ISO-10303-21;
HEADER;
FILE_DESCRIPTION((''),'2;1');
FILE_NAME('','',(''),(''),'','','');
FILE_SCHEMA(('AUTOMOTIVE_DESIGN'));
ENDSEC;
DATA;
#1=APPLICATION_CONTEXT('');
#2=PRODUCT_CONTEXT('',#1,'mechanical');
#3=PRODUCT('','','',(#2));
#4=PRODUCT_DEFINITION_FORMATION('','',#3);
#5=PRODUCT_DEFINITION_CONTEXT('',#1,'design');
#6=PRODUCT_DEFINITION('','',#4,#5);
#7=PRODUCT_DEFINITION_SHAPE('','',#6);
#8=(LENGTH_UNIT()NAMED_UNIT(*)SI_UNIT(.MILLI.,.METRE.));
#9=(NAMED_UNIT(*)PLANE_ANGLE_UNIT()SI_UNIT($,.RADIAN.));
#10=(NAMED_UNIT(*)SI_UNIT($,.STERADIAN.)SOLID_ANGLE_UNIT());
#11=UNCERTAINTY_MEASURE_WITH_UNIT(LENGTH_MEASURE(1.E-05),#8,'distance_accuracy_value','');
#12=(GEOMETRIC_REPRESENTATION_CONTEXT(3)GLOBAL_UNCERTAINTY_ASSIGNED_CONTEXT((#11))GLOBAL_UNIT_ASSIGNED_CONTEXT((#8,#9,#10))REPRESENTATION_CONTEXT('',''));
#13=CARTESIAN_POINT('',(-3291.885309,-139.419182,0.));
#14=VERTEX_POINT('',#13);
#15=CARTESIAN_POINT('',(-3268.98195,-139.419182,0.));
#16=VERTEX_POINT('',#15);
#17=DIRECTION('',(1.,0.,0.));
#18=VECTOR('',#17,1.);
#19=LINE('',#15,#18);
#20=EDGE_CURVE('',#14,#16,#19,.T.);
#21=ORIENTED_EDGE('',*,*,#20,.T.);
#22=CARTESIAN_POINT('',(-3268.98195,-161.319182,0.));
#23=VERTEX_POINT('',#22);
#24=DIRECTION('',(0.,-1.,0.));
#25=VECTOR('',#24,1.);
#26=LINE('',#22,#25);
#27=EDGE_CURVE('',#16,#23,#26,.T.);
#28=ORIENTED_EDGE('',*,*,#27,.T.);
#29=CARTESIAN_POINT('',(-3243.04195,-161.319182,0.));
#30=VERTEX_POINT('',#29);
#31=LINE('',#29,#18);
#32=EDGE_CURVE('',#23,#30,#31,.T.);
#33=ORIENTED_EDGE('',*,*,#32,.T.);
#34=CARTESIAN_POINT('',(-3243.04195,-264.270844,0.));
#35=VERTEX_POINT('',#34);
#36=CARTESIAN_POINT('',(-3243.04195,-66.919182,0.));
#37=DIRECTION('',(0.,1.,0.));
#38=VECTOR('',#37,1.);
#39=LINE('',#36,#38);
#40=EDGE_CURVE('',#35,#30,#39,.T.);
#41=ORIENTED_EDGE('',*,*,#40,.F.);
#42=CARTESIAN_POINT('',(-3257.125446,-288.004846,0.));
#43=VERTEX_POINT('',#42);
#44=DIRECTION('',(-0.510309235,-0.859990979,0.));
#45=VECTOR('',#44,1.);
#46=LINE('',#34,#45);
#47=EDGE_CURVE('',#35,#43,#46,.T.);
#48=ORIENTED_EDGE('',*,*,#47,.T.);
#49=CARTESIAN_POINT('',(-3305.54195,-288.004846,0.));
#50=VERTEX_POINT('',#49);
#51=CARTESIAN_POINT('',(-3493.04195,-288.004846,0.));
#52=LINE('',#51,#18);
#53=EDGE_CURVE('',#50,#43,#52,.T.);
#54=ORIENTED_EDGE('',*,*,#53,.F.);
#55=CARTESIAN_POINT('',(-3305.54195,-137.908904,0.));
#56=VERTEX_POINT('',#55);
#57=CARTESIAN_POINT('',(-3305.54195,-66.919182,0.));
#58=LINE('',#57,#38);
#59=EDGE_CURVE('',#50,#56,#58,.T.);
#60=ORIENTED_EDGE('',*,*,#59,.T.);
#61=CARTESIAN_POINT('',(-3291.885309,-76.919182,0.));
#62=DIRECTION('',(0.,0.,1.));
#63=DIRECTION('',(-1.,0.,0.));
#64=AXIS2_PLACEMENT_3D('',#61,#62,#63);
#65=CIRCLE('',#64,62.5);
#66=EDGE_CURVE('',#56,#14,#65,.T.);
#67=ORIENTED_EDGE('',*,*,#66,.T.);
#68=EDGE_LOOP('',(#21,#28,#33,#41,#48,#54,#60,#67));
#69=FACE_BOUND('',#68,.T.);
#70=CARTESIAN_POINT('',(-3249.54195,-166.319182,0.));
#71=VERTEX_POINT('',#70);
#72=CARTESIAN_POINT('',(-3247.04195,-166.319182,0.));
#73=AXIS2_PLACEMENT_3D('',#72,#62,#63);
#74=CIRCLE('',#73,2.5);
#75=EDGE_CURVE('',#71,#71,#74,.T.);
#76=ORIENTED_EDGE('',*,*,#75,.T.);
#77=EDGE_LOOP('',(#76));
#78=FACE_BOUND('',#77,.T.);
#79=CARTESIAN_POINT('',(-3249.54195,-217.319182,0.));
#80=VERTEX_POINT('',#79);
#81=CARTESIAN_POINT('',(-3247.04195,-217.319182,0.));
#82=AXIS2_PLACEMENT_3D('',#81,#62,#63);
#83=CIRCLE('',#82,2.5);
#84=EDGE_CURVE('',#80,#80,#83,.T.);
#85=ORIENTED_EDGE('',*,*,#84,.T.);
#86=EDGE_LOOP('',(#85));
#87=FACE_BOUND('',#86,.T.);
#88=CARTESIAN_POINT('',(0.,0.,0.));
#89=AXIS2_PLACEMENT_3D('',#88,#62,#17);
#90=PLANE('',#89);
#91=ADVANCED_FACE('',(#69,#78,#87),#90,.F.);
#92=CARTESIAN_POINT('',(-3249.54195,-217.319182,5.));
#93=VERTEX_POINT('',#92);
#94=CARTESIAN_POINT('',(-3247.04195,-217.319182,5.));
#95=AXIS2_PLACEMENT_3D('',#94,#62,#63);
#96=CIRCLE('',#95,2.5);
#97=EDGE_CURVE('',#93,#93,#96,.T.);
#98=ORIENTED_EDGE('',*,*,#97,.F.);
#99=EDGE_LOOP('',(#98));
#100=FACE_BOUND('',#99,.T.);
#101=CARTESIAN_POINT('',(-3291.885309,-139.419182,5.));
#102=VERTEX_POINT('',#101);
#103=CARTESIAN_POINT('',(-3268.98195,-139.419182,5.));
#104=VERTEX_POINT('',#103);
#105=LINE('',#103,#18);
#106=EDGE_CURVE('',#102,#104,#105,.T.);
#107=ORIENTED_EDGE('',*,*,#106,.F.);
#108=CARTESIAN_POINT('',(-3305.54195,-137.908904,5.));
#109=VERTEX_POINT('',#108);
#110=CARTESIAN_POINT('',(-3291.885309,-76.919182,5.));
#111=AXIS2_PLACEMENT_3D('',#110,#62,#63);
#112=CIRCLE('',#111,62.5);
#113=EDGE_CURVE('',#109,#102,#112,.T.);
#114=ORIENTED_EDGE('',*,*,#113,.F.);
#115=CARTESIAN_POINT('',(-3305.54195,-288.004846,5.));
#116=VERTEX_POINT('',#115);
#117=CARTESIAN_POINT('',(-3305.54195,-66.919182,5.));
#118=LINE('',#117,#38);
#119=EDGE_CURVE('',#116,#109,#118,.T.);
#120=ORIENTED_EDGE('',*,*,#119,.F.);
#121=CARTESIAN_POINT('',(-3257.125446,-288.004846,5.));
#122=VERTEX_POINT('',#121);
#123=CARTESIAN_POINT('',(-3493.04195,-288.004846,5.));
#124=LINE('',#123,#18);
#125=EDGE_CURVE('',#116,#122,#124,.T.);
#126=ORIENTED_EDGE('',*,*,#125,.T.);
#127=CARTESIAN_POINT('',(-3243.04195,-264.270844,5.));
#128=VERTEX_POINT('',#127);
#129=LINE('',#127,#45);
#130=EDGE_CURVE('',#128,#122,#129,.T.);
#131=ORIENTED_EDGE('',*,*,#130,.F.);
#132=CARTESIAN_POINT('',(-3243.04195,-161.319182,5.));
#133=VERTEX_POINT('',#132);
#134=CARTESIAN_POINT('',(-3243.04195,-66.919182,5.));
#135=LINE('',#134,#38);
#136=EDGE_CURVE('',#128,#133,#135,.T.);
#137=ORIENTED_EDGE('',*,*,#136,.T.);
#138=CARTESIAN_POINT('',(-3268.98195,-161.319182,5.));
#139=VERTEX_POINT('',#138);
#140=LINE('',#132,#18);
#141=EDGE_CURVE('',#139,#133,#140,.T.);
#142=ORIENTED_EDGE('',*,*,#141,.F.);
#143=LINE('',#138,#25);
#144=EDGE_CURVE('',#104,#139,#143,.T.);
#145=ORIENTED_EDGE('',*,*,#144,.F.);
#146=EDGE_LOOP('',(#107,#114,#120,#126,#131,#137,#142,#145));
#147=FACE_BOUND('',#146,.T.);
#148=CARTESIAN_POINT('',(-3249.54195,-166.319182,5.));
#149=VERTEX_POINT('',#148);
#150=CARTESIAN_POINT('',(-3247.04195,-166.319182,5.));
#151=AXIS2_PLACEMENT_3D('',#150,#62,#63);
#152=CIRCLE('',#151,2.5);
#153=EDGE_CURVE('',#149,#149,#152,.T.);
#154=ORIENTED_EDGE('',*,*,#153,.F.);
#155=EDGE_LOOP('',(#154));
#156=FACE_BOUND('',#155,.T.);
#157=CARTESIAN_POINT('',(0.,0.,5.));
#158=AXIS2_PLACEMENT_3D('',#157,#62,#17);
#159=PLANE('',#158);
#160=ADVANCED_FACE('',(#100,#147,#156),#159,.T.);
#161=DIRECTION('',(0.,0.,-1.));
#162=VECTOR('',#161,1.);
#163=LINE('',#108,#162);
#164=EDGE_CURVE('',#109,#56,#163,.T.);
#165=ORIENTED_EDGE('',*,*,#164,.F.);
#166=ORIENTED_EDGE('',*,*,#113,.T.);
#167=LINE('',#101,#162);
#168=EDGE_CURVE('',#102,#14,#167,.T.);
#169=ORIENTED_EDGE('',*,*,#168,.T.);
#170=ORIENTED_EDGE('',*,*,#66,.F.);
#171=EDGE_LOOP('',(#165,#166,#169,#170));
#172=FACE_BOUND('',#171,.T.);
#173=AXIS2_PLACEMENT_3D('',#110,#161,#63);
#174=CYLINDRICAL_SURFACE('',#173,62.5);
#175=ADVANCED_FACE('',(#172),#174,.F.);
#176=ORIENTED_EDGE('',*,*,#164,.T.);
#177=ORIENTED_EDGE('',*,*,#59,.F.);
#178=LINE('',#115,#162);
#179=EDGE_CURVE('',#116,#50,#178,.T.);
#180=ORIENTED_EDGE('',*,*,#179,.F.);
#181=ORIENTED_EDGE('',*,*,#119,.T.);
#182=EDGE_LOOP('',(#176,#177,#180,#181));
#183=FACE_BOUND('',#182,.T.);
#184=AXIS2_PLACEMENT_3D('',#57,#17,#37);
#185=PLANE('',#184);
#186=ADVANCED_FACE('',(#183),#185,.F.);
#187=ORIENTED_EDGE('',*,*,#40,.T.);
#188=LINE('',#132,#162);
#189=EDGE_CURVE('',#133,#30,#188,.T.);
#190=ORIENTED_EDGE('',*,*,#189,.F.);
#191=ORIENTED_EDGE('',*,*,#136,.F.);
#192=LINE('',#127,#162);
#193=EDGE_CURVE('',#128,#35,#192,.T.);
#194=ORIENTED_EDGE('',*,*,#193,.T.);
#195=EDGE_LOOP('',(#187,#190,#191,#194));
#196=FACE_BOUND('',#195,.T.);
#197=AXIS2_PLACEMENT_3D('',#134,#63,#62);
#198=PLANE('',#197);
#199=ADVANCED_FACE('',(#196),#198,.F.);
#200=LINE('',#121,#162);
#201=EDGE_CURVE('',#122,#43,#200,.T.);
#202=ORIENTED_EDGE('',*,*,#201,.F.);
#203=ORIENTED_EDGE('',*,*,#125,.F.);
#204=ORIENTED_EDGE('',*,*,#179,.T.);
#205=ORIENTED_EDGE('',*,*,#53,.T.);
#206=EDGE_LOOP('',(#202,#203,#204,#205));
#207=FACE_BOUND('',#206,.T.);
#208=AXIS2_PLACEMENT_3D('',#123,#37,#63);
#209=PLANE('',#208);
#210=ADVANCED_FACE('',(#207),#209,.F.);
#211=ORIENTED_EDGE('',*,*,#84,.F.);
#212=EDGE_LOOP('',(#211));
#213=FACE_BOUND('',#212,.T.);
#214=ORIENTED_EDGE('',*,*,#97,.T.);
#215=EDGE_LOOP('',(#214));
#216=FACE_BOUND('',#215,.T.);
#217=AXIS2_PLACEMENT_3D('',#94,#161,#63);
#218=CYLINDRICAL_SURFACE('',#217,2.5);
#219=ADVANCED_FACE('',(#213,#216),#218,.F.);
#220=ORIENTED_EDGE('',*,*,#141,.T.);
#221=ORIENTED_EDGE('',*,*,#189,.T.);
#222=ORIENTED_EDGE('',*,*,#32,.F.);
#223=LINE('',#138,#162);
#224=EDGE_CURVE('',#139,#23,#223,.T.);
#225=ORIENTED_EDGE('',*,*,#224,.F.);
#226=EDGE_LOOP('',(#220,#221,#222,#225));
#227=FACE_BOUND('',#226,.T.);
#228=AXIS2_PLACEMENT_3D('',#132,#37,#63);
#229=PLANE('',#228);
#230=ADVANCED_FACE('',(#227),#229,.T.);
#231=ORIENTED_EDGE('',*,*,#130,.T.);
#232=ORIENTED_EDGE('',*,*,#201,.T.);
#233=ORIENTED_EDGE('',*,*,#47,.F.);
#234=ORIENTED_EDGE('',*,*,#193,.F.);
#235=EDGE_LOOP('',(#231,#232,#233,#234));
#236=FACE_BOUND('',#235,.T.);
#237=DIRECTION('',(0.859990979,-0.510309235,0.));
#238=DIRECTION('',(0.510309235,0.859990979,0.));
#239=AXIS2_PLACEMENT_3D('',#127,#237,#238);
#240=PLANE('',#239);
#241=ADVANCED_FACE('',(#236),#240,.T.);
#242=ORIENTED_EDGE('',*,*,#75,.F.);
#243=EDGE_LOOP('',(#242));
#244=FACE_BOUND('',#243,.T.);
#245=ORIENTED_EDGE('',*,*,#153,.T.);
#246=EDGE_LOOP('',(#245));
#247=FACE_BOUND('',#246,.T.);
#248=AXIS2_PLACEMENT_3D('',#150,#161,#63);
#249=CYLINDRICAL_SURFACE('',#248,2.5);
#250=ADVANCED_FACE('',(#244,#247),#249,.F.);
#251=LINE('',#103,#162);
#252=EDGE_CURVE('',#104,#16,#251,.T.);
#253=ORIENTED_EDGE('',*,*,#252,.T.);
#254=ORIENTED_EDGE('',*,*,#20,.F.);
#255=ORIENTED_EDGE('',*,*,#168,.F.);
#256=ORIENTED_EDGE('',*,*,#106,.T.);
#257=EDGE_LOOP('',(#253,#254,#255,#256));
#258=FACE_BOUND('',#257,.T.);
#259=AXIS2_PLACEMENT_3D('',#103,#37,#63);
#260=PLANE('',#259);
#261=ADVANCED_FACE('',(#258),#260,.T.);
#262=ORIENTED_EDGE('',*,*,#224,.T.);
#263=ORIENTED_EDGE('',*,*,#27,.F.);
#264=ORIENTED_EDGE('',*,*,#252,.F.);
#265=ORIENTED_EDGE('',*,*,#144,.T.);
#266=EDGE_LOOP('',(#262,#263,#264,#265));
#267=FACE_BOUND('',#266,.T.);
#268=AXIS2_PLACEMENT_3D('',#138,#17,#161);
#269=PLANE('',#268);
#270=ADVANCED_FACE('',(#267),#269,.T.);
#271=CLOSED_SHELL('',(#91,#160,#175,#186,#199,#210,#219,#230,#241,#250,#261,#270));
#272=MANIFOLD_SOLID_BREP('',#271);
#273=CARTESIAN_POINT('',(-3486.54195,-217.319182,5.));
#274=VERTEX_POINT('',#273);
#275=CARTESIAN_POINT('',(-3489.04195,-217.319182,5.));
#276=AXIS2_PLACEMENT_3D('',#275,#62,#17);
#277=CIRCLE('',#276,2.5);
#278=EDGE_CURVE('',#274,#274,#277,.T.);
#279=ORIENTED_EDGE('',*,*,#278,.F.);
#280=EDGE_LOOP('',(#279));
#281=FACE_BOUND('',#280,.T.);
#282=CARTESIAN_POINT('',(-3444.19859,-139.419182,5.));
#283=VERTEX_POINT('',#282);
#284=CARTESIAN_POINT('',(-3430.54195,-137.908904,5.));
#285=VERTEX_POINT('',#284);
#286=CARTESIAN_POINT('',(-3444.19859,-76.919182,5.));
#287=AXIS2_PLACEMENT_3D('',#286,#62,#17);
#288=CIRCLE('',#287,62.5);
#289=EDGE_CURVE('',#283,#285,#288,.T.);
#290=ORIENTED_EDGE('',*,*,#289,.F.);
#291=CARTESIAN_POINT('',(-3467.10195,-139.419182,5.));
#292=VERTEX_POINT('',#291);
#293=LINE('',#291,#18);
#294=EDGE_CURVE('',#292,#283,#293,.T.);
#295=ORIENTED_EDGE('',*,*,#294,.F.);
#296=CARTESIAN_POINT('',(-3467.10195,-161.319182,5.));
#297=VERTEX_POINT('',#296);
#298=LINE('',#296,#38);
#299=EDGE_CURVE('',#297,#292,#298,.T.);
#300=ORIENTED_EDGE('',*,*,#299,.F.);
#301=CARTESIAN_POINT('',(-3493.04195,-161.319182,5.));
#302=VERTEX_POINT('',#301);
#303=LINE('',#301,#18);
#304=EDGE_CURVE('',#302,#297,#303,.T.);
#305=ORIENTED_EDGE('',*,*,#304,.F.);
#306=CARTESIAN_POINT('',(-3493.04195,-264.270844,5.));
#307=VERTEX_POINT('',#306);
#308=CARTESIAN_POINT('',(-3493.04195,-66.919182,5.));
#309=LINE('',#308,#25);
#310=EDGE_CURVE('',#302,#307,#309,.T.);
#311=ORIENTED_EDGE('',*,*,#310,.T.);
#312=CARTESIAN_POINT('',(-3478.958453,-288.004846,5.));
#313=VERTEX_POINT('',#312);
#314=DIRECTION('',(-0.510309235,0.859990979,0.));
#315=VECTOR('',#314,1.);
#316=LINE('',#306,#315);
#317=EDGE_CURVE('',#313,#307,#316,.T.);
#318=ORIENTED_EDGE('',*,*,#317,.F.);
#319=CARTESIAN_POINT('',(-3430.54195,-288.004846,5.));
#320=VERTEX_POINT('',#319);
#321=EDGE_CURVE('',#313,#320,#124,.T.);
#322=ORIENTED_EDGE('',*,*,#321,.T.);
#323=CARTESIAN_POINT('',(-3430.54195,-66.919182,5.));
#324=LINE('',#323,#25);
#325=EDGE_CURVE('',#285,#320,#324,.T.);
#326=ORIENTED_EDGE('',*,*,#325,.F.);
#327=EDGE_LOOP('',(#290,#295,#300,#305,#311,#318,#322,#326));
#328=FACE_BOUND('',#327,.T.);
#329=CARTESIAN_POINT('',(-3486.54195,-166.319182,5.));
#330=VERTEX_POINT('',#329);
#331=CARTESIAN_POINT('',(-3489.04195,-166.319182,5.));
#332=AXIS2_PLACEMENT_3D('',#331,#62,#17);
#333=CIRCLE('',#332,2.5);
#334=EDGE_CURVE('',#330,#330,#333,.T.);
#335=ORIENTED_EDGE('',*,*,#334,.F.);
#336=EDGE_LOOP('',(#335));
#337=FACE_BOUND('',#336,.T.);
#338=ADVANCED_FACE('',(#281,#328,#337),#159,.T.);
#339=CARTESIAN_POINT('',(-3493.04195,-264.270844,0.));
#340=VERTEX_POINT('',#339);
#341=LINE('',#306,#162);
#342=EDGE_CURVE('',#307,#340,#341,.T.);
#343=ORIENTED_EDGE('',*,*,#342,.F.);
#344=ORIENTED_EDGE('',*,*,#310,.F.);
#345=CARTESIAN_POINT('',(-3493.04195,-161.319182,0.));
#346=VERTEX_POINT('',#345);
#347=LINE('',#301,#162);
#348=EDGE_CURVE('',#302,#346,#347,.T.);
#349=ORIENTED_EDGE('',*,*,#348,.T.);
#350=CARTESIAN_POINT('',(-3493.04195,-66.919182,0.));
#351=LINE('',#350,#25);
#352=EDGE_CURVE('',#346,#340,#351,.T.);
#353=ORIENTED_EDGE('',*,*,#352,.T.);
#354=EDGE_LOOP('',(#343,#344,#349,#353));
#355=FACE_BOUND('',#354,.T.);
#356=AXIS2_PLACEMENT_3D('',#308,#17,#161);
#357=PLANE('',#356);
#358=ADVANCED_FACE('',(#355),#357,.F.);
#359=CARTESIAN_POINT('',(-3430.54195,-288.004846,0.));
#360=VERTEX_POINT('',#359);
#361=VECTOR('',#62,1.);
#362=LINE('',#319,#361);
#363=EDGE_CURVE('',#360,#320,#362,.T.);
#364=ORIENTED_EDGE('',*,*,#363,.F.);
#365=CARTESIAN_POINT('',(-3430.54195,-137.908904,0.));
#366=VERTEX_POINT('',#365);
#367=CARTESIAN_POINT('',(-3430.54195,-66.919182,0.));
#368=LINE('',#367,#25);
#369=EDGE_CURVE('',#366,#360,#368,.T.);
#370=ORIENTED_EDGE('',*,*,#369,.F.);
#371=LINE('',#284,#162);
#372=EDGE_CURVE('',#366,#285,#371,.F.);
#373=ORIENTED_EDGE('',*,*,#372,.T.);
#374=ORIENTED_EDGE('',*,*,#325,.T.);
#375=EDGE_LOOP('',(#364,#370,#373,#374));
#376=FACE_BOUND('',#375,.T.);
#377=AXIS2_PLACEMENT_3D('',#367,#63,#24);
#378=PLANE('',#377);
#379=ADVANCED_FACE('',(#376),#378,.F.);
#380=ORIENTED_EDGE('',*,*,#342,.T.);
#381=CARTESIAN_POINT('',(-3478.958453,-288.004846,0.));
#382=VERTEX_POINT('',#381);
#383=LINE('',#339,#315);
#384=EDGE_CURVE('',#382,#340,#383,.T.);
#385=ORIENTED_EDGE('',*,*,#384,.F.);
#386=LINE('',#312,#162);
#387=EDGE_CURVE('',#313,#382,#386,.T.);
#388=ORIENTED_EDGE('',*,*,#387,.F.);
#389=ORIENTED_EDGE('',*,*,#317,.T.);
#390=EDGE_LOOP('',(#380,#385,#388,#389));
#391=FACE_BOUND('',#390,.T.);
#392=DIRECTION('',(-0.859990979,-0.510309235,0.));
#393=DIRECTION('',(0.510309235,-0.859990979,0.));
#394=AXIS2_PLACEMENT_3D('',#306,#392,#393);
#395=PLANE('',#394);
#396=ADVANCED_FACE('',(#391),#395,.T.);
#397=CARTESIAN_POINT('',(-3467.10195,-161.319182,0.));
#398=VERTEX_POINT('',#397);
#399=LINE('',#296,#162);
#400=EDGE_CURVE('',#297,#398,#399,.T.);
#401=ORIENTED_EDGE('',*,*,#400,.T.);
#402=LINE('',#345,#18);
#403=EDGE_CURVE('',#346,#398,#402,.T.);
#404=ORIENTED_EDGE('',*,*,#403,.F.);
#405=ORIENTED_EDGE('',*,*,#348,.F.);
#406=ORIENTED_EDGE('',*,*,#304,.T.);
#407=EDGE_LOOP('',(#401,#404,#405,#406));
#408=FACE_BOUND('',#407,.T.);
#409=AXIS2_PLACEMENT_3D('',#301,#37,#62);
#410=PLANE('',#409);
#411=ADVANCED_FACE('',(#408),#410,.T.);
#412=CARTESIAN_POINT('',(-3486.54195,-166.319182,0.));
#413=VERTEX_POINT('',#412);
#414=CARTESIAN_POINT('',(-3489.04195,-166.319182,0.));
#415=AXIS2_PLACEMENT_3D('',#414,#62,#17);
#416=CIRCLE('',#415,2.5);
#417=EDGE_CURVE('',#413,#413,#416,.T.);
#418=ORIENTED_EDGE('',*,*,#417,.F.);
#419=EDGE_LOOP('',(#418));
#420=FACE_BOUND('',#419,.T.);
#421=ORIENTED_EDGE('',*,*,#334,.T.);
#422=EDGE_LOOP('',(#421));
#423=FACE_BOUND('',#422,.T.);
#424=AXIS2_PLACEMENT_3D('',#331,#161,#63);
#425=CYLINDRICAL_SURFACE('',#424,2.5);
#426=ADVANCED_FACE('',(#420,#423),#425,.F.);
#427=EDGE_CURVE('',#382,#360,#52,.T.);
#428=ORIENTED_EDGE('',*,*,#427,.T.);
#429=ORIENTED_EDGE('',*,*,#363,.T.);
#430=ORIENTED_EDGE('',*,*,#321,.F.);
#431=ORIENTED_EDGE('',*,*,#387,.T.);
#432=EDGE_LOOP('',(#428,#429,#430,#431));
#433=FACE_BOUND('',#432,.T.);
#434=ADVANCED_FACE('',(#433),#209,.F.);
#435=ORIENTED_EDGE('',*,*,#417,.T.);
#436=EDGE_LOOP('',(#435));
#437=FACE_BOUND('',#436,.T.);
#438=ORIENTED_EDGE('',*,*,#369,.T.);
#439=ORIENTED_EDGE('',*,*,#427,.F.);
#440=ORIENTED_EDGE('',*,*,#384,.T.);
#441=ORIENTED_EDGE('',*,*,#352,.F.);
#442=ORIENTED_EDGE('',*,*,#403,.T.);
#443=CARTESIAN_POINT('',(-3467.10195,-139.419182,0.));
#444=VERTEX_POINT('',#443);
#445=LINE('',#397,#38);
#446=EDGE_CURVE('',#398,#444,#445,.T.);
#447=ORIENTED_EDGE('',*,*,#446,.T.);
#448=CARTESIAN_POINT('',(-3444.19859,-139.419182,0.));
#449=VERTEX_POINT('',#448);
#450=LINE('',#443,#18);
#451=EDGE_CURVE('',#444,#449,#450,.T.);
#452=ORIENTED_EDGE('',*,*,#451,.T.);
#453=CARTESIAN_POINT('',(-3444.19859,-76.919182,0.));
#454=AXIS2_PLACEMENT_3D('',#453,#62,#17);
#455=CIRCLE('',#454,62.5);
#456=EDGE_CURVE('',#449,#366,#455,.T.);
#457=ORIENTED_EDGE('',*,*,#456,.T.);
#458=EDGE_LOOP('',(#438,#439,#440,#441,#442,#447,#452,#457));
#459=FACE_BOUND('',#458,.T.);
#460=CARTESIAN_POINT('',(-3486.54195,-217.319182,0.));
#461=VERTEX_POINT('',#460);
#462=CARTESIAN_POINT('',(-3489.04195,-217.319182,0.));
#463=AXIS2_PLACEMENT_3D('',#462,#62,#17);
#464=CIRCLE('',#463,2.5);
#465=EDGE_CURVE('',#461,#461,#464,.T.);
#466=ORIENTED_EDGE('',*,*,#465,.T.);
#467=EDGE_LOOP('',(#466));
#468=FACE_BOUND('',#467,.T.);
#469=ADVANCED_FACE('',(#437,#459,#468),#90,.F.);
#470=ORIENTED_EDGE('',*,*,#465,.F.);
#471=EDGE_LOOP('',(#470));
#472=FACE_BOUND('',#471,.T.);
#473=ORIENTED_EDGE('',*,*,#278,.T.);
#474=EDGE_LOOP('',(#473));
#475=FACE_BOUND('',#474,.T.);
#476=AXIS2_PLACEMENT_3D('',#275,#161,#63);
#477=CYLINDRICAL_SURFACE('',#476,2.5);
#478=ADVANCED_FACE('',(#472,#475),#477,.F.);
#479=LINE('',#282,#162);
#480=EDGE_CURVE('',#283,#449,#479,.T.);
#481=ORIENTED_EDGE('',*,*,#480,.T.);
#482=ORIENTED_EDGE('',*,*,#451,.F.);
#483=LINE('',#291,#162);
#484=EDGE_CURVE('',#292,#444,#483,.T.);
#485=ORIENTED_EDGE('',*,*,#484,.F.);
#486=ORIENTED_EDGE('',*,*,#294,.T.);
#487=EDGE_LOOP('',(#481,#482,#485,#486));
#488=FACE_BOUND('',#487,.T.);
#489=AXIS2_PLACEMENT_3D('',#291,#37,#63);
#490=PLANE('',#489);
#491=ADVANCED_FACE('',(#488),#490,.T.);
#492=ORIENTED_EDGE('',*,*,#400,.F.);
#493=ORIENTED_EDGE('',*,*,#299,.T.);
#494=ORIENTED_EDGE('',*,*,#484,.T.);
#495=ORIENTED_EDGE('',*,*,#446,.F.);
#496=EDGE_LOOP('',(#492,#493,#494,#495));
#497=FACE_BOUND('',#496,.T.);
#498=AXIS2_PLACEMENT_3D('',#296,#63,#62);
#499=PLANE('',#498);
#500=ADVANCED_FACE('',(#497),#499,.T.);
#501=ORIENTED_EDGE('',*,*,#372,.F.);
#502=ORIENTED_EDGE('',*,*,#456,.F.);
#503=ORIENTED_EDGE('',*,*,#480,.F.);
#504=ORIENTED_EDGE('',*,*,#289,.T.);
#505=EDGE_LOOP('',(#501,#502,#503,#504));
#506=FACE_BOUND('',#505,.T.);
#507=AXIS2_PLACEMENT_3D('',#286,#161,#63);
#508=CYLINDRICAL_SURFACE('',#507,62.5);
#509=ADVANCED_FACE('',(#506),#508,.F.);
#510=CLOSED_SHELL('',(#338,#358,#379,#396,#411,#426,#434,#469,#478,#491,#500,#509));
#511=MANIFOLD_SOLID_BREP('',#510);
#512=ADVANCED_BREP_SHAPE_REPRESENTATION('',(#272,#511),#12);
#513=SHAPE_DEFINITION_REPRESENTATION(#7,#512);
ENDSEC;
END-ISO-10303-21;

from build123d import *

# Parameters (mm, degrees)
SKETCH1_W           = 250
SKETCH1_H           = 221.085663757
SKETCH1_R           = 2.5
BOSS_EXTRUDE1_DEPTH = 5
SKETCH6_R           = 62.5
CUT_EXTRUDE4_DEPTH  = 6
SKETCH7_W           = 125
SKETCH7_H           = 298.698107089
CUT_EXTRUDE5_DEPTH  = 5


with BuildPart() as part:
    # Sketch1 → Boss-Extrude1 (new body)
    with BuildSketch(Plane.XY):
        with Locations((-3368.041949546, -177.462013972)):
            Rectangle(SKETCH1_W, SKETCH1_H)
        with Locations((-3489.041949546, -217.319182093)):
            Circle(SKETCH1_R, mode=Mode.SUBTRACT)
        with Locations((-3489.041949546, -166.319182093)):
            Circle(SKETCH1_R, mode=Mode.SUBTRACT)
        with Locations((-3247.041949546, -166.319182093)):
            Circle(SKETCH1_R, mode=Mode.SUBTRACT)
        with Locations((-3247.041949546, -217.319182093)):
            Circle(SKETCH1_R, mode=Mode.SUBTRACT)
    extrude(amount=BOSS_EXTRUDE1_DEPTH)

    # Sketch6 → Cut-Extrude4 (cut, through all)
    with BuildSketch(Plane.XY):
        with Locations((-3368.041949546, -300.417289182)):
            Circle(SKETCH6_R)
        Polygon((-3503.457885375, -270.451546314), (-3493.041949546, -264.270843991), (-3478.958452604, -288.00484585), (-3489.374388434, -294.185548172), align=None)
        with BuildLine():
            Line((-3493.041949546, -161.319182093), (-3493.041949546, -66.919182093))
            Line((-3493.041949546, -66.919182093), (-3382.503777097, -66.919182093))
            ThreePointArc((-3382.503777097, -66.919182093), (-3396.600008581, -117.423811459), (-3444.198590493, -139.419182093))
            Line((-3444.198590493, -139.419182093), (-3467.101949546, -139.419182093))
            Line((-3467.101949546, -139.419182093), (-3467.101949546, -161.319182093))
            Line((-3467.101949546, -161.319182093), (-3493.041949546, -161.319182093))
        make_face()
        Polygon((-3246.709510658, -294.185548172), (-3257.125446487, -288.00484585), (-3243.041949546, -264.270843991), (-3232.626013716, -270.451546314), align=None)
        with BuildLine():
            Line((-3268.981949546, -139.419182093), (-3291.885308598, -139.419182093))
            ThreePointArc((-3291.885308598, -139.419182093), (-3339.48389051, -117.423811459), (-3353.580121995, -66.919182093))
            Line((-3353.580121995, -66.919182093), (-3243.041949546, -66.919182093))
            Line((-3243.041949546, -66.919182093), (-3243.041949546, -161.319182093))
            Line((-3243.041949546, -161.319182093), (-3268.981949546, -161.319182093))
            Line((-3268.981949546, -161.319182093), (-3268.981949546, -139.419182093))
        make_face()
    extrude(amount=CUT_EXTRUDE4_DEPTH, mode=Mode.SUBTRACT)

    # Sketch7 → Cut-Extrude5 (cut)
    with BuildSketch(Plane.XY.offset(5)):
        with Locations((-3368.041949546, -216.268235638)):
            Rectangle(SKETCH7_W, SKETCH7_H)
    extrude(amount=-CUT_EXTRUDE5_DEPTH, mode=Mode.SUBTRACT)


solid = part.part
